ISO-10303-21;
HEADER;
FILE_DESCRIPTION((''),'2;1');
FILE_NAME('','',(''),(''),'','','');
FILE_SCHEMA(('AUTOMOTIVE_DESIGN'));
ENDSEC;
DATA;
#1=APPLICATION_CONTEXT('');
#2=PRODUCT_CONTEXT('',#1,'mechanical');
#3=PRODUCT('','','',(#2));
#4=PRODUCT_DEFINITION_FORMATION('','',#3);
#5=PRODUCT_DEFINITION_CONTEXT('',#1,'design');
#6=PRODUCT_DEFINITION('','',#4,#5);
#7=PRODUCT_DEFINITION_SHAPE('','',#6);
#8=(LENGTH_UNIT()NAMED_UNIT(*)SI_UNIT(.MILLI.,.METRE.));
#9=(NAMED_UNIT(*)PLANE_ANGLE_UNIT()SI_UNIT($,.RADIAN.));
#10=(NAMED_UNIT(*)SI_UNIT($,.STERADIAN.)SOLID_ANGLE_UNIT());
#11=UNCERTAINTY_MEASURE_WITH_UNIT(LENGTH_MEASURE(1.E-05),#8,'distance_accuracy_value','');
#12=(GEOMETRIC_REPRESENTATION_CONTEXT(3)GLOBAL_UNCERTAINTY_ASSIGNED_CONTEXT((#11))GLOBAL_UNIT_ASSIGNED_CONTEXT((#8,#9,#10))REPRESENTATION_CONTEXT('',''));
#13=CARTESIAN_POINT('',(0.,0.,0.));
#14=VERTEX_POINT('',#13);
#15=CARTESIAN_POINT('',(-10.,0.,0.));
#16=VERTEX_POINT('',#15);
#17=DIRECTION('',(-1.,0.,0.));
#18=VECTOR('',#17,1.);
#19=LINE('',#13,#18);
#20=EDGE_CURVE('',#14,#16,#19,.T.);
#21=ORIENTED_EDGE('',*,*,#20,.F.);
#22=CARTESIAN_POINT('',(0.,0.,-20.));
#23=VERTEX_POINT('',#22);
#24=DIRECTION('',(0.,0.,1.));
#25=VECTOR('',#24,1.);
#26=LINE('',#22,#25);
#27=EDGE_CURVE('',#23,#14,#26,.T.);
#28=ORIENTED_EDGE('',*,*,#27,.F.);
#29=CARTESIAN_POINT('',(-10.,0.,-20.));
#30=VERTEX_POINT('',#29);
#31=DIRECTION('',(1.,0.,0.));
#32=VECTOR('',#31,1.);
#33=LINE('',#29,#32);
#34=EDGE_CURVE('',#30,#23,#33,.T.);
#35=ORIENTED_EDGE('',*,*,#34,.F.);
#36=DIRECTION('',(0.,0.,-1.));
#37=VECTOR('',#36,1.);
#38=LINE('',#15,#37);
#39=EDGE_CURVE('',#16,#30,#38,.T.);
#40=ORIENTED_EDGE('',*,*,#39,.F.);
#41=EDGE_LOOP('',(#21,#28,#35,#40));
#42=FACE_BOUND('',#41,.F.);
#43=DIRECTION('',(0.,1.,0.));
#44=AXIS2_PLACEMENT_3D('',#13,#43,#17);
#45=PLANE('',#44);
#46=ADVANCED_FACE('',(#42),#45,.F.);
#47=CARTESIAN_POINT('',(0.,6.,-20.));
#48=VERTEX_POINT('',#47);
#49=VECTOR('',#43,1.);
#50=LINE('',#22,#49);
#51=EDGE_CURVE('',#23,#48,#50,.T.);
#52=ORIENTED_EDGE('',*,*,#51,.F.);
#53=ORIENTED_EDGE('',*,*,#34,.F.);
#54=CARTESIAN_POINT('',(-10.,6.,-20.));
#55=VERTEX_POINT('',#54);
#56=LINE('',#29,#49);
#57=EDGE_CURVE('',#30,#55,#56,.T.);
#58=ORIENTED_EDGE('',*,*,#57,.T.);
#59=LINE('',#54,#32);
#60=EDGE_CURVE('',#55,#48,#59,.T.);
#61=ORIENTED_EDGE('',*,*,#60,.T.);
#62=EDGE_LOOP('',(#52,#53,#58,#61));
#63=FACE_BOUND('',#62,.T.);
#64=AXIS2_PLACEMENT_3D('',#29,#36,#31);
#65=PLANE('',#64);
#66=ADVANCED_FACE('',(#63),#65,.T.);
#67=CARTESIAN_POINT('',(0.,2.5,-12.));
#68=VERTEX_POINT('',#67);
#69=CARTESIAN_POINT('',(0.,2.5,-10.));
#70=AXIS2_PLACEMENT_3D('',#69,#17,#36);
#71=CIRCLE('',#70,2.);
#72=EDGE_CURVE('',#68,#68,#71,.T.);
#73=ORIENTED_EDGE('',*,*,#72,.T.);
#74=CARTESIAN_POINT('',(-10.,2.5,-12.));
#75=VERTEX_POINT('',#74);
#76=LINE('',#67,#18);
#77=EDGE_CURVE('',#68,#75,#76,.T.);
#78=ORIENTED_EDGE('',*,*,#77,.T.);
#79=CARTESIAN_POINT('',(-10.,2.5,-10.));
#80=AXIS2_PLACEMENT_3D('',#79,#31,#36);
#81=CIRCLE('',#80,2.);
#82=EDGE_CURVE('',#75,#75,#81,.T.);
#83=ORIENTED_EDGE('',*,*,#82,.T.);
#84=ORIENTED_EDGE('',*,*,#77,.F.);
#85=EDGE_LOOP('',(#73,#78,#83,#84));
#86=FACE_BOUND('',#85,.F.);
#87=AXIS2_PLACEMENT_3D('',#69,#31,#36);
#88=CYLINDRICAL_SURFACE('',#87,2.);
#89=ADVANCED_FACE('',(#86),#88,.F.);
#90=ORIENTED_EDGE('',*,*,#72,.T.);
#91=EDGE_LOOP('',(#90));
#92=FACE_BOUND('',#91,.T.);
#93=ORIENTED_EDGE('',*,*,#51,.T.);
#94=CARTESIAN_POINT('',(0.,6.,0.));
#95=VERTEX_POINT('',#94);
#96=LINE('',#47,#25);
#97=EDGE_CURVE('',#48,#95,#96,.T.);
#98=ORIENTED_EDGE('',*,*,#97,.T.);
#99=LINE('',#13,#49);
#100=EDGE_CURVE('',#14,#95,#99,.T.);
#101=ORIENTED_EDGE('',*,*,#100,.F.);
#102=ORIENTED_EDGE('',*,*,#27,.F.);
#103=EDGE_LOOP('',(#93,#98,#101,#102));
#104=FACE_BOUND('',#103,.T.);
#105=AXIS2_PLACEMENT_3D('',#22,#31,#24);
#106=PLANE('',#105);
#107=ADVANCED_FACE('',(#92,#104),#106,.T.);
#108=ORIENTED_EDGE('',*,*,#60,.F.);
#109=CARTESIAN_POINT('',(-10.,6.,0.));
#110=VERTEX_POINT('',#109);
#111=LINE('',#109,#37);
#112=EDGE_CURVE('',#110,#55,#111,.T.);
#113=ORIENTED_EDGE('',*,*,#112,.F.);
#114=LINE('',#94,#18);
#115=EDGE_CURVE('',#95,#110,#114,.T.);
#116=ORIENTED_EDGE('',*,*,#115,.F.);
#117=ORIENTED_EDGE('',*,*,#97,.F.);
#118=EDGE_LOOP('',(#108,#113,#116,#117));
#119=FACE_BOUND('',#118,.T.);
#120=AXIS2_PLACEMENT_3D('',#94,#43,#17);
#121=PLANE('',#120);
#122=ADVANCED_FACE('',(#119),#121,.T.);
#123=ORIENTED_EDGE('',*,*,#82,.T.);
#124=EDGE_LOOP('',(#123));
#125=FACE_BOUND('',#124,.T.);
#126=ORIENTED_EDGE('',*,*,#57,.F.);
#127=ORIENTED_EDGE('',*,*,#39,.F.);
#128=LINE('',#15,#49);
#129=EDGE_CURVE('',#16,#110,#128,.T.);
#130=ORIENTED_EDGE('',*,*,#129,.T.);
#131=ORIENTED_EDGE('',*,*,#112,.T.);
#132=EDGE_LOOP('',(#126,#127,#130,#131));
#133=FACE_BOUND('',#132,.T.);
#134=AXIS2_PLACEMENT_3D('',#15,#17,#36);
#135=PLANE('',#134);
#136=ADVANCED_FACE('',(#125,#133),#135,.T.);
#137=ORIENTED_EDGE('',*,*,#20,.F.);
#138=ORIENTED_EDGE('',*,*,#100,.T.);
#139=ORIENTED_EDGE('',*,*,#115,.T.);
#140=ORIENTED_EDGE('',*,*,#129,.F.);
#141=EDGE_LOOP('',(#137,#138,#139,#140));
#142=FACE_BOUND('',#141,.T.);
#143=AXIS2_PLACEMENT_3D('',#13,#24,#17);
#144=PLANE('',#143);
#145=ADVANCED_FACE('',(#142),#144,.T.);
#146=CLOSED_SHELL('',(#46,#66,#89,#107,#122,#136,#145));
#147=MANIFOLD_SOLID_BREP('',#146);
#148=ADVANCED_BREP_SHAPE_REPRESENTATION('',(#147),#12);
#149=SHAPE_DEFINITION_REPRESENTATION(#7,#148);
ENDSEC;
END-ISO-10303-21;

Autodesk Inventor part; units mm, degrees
ref_plane "YZ Plane" through (0, 0, 0) normal (1, 0, 0) x (0, 1, 0)
ref_plane "XZ Plane" through (0, 0, 0) normal (0, 1, 0) x (-1, 0, 0)
ref_plane "XY Plane" through (0, 0, 0) normal (0, 0, 1) x (1, 0, 0)
sketch "Sketch1" plane through (0, 0, 0) normal (0, 1, 0) x (-1, 0, 0)
  line L0 (0, 0) -> (10, 0)
  line L1 (10, 0) -> (10, -20)
  line L2 (10, -20) -> (0, -20)
  line L3 (0, -20) -> (0, 0)
  dimension "d0" = 20
  dimension "d1" = 10
extrude "Extrusion1" add sketch "Sketch1" along normal blind 6
sketch "Sketch2" plane through (0, 0, 0) normal (1, 0, 0) x (0, 0, -1)
  line L0 (20, 6) -> (0, 6) projected
  line L1 (10, 6) -> (10, 2.5)
  circle A0 centre (10, 2.5) radius 2
  point P0 (0, 0)
  dimension "d4" = 3.5
  dimension "d5" = 4
extrude "Extrusion2" cut sketch "Sketch2" against normal blind 17
properties part number "eonPCBholder"
